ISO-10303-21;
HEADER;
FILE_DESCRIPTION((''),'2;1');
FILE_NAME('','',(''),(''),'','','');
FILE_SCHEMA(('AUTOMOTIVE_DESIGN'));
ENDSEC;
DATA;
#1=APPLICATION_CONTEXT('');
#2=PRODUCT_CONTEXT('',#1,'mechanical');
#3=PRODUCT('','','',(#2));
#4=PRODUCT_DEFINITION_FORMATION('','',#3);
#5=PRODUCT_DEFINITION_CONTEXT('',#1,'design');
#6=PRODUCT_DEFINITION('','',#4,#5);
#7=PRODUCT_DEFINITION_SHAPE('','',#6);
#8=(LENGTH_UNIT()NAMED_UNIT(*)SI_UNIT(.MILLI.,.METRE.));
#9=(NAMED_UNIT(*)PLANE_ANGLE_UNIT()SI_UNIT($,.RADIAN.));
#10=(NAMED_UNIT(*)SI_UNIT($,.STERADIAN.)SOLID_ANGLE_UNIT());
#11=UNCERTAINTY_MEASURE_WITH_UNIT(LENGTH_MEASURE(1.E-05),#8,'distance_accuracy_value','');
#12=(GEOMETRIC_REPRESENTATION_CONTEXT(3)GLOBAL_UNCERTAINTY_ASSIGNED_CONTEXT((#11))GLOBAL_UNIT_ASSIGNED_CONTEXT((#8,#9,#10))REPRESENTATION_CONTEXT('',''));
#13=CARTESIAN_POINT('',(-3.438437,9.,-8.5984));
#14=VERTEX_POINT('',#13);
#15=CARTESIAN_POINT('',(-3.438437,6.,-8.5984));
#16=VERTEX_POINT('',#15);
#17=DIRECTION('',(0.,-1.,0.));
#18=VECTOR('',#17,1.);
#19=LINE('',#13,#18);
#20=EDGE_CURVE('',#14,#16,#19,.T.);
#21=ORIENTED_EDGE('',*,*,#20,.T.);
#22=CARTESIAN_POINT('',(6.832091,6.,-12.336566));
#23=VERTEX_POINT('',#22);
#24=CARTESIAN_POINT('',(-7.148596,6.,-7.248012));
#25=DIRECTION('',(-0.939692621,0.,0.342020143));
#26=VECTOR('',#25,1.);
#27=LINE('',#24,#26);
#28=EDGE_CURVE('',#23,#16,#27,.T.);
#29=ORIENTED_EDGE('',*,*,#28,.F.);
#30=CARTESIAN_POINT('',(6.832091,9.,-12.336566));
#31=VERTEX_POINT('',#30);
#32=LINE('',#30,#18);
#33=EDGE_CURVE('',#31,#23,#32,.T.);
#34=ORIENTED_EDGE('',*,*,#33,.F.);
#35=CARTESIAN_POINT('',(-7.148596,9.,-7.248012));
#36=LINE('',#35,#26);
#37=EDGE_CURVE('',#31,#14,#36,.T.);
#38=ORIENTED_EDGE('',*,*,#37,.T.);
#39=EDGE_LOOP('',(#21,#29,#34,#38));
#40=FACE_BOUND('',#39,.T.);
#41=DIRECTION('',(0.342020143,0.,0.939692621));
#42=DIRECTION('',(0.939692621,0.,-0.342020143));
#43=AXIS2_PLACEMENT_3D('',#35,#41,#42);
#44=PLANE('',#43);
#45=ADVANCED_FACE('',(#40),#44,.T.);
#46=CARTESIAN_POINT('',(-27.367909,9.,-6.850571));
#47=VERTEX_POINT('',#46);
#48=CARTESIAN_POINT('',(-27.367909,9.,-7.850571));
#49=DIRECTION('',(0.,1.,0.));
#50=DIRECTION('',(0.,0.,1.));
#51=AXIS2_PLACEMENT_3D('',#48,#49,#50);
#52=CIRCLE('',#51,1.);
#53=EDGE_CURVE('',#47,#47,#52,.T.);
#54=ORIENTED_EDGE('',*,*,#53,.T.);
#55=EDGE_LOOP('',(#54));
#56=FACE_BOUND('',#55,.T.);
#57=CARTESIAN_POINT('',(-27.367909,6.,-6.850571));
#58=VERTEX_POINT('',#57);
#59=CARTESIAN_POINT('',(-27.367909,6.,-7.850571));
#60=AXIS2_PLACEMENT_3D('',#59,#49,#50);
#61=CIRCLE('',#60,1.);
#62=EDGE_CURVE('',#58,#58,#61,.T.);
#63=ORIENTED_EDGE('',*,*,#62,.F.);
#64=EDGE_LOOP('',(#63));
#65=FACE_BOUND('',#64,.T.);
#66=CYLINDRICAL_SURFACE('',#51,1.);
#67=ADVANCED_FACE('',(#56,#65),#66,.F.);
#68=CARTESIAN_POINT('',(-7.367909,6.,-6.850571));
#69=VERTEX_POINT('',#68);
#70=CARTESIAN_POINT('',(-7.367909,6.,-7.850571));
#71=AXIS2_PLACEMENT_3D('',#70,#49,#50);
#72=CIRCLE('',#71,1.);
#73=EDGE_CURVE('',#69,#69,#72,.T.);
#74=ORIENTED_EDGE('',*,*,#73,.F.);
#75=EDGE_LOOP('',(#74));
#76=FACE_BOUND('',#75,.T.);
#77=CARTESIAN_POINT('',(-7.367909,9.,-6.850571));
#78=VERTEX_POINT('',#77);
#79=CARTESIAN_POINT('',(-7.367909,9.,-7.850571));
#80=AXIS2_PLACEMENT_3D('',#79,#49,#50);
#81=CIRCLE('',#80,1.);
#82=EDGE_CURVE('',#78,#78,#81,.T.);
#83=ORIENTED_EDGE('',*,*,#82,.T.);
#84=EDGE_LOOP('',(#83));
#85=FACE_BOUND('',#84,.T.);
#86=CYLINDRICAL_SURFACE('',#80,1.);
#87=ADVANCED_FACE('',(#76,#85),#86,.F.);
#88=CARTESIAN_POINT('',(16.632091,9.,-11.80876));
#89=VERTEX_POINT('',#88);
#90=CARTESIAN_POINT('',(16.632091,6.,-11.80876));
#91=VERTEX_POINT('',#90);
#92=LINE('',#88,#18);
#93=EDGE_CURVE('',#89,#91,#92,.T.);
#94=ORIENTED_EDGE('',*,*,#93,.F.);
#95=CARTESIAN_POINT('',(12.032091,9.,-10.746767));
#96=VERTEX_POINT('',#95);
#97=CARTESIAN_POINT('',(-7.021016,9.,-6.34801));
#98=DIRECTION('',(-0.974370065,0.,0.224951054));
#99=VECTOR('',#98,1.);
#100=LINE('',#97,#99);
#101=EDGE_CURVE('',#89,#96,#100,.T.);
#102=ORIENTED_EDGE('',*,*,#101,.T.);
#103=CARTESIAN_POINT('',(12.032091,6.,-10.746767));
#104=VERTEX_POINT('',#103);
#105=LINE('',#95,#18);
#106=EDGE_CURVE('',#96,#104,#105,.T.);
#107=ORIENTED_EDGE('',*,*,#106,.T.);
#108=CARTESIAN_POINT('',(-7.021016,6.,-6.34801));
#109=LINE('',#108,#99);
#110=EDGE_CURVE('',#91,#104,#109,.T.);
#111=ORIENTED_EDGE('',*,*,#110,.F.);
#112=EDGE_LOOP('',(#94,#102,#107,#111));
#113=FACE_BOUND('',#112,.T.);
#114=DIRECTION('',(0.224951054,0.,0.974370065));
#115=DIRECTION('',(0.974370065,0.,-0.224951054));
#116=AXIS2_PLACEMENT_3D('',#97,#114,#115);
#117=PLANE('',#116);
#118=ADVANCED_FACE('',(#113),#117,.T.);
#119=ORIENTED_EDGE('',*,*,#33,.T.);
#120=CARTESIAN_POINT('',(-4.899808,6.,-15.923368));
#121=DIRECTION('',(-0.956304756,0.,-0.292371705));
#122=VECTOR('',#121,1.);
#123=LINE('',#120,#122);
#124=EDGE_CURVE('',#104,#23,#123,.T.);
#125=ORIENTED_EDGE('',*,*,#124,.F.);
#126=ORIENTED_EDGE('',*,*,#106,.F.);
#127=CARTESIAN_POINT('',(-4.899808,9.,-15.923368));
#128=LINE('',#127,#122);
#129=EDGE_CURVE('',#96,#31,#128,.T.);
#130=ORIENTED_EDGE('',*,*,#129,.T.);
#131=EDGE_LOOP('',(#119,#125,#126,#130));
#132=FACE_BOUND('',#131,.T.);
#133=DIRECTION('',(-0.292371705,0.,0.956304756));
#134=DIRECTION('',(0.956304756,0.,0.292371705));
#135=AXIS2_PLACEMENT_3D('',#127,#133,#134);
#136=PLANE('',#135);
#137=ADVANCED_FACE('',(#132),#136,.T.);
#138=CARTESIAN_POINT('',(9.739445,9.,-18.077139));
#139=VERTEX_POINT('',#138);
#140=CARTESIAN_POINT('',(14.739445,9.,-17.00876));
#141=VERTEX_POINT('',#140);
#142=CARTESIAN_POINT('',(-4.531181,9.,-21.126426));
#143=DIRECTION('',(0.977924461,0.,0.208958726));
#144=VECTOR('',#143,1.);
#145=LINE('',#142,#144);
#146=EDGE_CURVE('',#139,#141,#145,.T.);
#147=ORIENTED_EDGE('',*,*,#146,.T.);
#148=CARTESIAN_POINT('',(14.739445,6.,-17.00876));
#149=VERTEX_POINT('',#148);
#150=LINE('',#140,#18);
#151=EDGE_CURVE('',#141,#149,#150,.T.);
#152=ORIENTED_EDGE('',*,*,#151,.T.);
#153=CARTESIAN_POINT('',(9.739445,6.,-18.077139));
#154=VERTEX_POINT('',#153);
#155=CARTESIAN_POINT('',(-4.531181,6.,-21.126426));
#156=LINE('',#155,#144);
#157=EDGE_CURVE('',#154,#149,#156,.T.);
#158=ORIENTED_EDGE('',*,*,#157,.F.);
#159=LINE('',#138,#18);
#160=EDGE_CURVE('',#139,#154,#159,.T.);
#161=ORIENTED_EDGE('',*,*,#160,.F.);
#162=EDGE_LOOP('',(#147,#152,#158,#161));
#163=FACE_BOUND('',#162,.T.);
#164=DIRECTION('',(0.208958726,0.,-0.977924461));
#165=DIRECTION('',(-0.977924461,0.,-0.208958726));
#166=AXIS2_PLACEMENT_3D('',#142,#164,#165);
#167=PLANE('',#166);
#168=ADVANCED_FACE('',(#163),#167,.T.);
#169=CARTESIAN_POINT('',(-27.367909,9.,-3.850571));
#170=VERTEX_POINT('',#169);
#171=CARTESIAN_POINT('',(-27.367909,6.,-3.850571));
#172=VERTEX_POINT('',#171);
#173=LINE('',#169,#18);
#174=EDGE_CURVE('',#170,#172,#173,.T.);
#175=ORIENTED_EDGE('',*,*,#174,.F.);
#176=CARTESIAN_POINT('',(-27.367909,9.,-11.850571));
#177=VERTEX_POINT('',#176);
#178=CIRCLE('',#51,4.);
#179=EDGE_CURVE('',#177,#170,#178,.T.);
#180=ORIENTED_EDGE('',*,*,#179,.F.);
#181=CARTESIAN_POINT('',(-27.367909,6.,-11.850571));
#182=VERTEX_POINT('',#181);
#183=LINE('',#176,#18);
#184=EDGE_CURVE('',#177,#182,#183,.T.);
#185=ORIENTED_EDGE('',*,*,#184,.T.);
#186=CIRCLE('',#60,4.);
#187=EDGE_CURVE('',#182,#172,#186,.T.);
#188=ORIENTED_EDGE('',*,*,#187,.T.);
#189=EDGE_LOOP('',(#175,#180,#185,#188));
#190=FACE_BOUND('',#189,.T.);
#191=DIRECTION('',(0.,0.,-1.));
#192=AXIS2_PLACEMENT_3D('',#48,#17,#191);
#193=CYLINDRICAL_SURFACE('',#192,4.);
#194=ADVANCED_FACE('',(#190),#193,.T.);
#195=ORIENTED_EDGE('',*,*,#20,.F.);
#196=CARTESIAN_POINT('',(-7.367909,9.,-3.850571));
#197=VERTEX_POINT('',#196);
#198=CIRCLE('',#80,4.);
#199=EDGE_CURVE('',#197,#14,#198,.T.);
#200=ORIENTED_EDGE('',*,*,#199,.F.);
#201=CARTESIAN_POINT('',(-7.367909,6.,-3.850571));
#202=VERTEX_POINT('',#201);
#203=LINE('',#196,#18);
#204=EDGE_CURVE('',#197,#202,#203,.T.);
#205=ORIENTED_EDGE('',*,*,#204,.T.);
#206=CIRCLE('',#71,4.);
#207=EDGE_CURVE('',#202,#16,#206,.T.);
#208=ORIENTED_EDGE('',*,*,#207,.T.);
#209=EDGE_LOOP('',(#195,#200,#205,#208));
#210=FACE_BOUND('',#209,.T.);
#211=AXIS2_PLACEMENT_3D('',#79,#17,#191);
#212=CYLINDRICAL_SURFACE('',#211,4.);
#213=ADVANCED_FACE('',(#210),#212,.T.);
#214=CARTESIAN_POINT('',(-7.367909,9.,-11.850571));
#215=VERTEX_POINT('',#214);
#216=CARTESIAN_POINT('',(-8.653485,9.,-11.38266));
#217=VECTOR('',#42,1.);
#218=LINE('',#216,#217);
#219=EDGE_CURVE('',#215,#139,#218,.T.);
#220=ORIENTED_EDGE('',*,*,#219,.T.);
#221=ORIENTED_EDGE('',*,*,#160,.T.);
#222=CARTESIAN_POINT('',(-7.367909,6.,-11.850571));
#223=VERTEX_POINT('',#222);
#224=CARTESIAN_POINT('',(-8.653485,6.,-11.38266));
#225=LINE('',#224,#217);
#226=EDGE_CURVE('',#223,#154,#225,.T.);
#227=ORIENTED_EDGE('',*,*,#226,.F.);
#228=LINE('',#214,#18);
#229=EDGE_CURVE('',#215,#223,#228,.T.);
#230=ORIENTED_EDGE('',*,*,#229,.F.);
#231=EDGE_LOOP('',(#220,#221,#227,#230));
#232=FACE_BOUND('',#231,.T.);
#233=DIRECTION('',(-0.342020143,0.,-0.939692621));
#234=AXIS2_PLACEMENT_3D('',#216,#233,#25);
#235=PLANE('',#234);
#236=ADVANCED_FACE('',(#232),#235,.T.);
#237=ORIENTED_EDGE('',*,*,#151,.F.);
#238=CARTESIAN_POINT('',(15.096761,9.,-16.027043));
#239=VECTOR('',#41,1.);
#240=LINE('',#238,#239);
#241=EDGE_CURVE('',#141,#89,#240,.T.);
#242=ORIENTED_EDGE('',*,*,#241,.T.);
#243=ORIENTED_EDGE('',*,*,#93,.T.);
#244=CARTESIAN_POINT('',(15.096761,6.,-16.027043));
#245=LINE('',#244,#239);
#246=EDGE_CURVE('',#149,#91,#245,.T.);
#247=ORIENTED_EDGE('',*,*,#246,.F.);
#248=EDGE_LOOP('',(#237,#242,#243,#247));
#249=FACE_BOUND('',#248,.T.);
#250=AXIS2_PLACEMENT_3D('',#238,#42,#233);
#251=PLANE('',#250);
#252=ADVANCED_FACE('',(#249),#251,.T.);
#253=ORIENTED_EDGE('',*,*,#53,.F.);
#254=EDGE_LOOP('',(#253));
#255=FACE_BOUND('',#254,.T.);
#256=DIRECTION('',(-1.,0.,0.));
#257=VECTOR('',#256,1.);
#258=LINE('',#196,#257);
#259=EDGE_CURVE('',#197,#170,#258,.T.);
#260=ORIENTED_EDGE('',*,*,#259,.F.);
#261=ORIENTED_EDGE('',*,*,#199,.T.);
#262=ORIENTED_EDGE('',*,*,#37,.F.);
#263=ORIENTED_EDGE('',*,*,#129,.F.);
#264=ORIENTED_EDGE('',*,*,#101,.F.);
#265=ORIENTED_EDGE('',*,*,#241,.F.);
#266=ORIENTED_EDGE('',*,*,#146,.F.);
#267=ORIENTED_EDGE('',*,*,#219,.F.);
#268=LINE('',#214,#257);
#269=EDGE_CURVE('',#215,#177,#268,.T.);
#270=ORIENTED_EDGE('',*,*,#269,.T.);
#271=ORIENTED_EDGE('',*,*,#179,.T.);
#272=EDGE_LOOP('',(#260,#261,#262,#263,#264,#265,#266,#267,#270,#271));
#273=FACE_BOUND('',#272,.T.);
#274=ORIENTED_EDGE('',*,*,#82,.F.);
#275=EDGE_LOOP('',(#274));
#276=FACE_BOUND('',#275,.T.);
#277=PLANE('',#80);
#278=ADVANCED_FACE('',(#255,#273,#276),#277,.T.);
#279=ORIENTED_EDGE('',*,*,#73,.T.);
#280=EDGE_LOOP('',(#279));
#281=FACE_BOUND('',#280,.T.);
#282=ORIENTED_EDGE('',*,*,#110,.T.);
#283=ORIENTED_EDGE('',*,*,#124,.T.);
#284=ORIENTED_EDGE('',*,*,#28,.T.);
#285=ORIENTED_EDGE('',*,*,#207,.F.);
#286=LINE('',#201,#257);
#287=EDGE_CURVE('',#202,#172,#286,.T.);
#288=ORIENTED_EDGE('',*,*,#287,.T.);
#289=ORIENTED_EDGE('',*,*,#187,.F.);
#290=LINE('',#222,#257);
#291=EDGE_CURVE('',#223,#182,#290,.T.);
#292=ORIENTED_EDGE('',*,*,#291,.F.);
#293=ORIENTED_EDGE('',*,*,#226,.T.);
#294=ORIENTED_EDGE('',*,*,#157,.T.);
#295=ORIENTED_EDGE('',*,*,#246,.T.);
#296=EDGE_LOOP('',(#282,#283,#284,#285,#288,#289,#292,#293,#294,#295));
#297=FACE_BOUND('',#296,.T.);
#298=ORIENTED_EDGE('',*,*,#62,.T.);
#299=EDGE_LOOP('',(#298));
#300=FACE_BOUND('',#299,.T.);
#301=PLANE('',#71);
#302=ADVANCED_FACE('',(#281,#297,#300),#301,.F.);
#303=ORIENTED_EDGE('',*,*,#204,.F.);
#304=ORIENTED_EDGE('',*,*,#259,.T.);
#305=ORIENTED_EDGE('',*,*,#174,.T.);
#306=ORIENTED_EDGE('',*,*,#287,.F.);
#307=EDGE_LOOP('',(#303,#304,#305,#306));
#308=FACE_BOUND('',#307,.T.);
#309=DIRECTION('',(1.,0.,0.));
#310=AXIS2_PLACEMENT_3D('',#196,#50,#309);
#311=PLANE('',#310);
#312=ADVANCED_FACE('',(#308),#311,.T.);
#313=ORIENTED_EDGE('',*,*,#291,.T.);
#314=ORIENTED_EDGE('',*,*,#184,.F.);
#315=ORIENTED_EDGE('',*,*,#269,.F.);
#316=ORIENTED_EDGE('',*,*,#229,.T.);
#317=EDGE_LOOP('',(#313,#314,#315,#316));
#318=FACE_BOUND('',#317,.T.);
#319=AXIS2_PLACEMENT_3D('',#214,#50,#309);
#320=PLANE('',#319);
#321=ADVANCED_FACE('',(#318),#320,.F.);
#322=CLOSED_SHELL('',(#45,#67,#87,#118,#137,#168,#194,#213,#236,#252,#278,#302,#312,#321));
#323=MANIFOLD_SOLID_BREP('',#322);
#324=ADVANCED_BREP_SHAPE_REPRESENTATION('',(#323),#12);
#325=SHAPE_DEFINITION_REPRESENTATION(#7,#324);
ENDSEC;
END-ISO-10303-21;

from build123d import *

# Parameters (mm, degrees)
BOSS_EXTRUDE1_DEPTH   = 15
F_1_0MM_DOWEL_HOLE1_D = 10
ESCALA1_SCALE         = 0.2


with BuildPart() as part:
    # Sketch1 → Boss-Extrude1 (new body)
    with BuildSketch(Plane(origin=(0, 0, 0), x_dir=(1, 0, 0), z_dir=(0, 1, 0))):
        with BuildLine():
            Line((0, 20), (-100, 20))
            ThreePointArc((-100, 20), (-120, 0), (-100, -20))
            Line((-100, -20), (0, -20))
            ThreePointArc((0, -20), (20, 0), (0, 20))
        make_face()
        with BuildLine():
            ThreePointArc((0, 20), (12.75180627, 15.407512352), (19.64736126, 3.739143686))
            Line((19.64736126, 3.739143686), (71, 22.429975638))
            Line((71, 22.429975638), (97, 14.480977921))
            Line((97, 14.480977921), (120, 19.790946316))
            Line((120, 19.790946316), (110.536773909, 45.790946316))
            Line((110.536773909, 45.790946316), (85.536773909, 51.132839638))
            Line((85.536773909, 51.132839638), (0, 20))
        make_face()
    extrude(amount=BOSS_EXTRUDE1_DEPTH)

    # Ø1.0mm Dowel Hole1 (through all)
    with Locations(Plane(origin=(0, 15, 0), x_dir=(1, 0, 0), z_dir=(0, 1, 0))):
        with Locations((-100, 0), (0, 0)):
            Hole(F_1_0MM_DOWEL_HOLE1_D / 2)


with BuildPart() as part_1:
    # Escala1: scaled about (-9.209886657, 7.5, -9.81321392)
    add(part.part.scale(ESCALA1_SCALE).moved(Location((-7.367909326, 6, -7.850571136))))


solid = part_1.part
